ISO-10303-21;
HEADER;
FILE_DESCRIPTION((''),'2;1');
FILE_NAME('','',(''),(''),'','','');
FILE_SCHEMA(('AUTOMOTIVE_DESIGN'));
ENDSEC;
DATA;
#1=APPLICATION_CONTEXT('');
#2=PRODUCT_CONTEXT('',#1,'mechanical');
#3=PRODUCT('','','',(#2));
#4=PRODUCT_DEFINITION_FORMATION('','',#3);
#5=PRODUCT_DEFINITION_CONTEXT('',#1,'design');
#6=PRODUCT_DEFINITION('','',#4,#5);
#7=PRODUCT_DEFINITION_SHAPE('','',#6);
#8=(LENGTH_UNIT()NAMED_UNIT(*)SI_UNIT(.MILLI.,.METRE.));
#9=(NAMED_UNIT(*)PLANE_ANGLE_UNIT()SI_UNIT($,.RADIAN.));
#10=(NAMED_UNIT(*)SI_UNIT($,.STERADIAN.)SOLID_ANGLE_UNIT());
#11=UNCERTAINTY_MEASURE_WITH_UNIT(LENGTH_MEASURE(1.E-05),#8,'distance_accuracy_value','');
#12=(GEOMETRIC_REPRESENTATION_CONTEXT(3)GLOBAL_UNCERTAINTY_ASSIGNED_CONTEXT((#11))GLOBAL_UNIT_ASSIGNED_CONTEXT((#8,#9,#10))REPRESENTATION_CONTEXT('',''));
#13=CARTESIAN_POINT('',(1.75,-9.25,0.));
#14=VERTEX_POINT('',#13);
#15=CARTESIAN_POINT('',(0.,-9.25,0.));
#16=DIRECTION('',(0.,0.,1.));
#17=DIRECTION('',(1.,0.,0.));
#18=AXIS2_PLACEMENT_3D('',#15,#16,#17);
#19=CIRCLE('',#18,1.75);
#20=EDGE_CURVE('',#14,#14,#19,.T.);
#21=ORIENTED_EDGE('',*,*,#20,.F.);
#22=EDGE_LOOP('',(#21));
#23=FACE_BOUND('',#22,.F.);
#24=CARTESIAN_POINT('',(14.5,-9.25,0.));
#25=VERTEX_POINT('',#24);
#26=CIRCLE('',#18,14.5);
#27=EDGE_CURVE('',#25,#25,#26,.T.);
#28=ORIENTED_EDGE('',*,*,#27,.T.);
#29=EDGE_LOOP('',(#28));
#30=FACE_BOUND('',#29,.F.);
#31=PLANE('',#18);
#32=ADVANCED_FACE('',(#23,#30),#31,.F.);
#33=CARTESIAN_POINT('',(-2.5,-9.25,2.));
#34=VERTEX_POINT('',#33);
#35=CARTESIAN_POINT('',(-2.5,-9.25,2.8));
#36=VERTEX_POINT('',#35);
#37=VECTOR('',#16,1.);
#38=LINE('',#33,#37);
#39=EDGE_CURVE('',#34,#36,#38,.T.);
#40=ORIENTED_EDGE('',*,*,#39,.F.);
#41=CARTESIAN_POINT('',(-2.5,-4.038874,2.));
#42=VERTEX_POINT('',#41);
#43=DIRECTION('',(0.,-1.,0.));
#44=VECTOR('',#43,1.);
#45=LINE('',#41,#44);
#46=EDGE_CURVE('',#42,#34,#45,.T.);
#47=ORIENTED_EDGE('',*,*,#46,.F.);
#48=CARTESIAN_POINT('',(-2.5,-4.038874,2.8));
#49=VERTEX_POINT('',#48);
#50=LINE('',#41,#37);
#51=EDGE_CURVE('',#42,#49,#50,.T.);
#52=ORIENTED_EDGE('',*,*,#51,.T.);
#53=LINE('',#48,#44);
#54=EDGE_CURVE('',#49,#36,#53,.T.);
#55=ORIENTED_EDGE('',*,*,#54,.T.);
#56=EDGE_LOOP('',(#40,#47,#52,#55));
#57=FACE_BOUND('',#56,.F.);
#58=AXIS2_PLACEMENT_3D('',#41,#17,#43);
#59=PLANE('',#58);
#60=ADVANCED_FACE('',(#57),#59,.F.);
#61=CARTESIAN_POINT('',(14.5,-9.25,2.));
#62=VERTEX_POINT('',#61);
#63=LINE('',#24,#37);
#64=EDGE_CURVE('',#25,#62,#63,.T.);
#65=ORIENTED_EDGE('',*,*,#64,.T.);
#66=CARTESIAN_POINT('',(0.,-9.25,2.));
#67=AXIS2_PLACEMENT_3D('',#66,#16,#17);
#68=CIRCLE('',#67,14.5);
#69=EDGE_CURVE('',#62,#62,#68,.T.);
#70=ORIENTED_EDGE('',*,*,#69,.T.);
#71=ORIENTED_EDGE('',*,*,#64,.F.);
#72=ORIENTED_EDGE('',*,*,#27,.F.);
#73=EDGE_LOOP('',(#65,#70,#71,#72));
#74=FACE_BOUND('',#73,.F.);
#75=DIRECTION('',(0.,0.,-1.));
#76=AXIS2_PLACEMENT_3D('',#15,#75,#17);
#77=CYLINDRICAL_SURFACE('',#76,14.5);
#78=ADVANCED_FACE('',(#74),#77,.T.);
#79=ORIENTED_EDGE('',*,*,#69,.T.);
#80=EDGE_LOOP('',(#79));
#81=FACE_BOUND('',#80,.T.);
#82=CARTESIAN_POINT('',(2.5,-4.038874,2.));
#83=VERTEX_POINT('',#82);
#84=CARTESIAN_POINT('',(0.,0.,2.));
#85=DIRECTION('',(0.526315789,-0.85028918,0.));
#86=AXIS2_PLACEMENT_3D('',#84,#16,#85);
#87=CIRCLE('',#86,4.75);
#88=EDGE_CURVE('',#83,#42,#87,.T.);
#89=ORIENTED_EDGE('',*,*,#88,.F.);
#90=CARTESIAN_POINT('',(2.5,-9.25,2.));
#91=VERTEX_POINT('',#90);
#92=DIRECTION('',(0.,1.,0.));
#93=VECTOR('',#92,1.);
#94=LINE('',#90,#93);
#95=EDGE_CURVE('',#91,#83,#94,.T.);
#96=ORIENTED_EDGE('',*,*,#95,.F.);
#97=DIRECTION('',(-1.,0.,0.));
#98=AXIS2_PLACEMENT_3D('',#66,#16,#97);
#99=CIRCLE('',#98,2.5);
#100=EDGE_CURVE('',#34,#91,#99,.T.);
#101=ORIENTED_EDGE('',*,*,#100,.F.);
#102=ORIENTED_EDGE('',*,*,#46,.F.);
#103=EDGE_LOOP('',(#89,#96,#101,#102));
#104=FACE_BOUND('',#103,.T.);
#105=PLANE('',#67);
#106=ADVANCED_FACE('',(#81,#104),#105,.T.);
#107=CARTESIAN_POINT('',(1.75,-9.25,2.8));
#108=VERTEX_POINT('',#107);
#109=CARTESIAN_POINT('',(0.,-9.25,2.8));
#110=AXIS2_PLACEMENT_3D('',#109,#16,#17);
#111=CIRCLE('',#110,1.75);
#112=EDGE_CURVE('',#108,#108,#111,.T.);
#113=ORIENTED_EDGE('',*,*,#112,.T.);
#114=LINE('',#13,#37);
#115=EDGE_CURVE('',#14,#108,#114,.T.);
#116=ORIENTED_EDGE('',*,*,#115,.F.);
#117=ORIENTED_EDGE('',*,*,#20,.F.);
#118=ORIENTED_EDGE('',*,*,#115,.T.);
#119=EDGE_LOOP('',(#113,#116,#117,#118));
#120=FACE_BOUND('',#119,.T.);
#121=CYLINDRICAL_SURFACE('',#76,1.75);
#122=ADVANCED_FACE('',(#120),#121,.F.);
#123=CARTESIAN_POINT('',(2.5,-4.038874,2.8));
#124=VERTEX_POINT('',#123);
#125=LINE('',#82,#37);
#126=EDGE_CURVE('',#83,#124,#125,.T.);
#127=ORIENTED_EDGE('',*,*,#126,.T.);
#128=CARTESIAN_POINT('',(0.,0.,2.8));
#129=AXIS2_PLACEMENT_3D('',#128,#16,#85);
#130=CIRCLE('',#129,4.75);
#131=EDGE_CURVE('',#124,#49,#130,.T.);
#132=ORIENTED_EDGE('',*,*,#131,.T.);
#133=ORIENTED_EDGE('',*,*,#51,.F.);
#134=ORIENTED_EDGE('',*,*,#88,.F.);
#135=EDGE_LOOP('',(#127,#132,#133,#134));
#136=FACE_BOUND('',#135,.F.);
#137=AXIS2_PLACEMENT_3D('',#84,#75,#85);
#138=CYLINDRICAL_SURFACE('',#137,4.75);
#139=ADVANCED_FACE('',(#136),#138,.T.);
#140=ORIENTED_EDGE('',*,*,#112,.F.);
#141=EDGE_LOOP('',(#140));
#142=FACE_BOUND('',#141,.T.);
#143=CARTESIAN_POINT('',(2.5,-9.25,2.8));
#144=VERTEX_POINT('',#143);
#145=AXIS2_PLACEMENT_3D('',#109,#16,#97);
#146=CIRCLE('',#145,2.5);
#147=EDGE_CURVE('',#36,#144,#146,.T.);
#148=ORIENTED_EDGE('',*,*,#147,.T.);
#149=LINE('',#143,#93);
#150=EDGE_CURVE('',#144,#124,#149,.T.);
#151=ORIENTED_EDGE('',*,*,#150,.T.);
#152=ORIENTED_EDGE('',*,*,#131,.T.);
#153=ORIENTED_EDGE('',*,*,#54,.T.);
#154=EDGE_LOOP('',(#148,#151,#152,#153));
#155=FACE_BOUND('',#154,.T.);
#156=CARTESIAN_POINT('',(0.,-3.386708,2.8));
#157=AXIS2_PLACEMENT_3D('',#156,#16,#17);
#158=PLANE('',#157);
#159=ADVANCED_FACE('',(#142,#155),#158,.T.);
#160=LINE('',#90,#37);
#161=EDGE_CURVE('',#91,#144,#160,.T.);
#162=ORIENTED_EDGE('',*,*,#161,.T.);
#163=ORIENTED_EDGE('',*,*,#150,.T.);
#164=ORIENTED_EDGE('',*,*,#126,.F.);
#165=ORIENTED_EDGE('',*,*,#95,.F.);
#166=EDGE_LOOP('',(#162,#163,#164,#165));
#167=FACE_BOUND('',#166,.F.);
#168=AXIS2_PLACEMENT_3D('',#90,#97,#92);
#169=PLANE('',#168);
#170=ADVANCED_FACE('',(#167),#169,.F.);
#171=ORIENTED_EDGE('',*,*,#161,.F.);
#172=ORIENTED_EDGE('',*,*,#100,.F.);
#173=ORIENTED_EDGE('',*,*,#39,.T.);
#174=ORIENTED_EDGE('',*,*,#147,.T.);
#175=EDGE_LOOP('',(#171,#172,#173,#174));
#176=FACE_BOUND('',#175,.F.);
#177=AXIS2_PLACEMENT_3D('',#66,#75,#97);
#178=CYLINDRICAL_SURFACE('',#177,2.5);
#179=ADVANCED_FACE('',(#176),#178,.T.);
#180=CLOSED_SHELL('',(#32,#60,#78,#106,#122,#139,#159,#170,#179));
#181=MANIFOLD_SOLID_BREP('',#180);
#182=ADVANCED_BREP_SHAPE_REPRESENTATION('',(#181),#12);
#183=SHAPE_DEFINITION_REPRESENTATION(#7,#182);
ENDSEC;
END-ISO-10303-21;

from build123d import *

# Parameters (mm, degrees)
SKETCH_1_R          = 14.5
EXTRUDE_1_DEPTH     = 2
EXTRUDE_START       = 2
EXTRUDE_2_DEPTH     = 0.8
SKETCH_1_4_R        = 1.75
CUT_EXTRUDE_1_DEPTH = 2.8


with BuildPart() as part:
    # Sketch 1 → Extrude 1 (new body)
    with BuildSketch(Plane.XY):
        with Locations((0, -9.25)):
            Circle(SKETCH_1_R)
    extrude(amount=EXTRUDE_1_DEPTH)

    # Sketch 1_3 → Extrude 2 (add)
    with BuildSketch(Plane.XY.offset(EXTRUDE_START)):
        with BuildLine():
            Line((-2.5, -4.038873605), (-2.5, -9.25))
            ThreePointArc((-2.5, -9.25), (0, -11.75), (2.5, -9.25))
            Line((2.5, -9.25), (2.5, -4.038873605))
            ThreePointArc((2.5, -4.038873605), (0, 4.75), (-2.5, -4.038873605))
        make_face()
    extrude(amount=EXTRUDE_2_DEPTH)

    # Sketch 1_4 → Cut-Extrude 1 (cut)
    with BuildSketch(Plane.XY):
        with Locations((0, -9.25)):
            Circle(SKETCH_1_4_R)
    extrude(amount=CUT_EXTRUDE_1_DEPTH, mode=Mode.SUBTRACT)


solid = part.part
